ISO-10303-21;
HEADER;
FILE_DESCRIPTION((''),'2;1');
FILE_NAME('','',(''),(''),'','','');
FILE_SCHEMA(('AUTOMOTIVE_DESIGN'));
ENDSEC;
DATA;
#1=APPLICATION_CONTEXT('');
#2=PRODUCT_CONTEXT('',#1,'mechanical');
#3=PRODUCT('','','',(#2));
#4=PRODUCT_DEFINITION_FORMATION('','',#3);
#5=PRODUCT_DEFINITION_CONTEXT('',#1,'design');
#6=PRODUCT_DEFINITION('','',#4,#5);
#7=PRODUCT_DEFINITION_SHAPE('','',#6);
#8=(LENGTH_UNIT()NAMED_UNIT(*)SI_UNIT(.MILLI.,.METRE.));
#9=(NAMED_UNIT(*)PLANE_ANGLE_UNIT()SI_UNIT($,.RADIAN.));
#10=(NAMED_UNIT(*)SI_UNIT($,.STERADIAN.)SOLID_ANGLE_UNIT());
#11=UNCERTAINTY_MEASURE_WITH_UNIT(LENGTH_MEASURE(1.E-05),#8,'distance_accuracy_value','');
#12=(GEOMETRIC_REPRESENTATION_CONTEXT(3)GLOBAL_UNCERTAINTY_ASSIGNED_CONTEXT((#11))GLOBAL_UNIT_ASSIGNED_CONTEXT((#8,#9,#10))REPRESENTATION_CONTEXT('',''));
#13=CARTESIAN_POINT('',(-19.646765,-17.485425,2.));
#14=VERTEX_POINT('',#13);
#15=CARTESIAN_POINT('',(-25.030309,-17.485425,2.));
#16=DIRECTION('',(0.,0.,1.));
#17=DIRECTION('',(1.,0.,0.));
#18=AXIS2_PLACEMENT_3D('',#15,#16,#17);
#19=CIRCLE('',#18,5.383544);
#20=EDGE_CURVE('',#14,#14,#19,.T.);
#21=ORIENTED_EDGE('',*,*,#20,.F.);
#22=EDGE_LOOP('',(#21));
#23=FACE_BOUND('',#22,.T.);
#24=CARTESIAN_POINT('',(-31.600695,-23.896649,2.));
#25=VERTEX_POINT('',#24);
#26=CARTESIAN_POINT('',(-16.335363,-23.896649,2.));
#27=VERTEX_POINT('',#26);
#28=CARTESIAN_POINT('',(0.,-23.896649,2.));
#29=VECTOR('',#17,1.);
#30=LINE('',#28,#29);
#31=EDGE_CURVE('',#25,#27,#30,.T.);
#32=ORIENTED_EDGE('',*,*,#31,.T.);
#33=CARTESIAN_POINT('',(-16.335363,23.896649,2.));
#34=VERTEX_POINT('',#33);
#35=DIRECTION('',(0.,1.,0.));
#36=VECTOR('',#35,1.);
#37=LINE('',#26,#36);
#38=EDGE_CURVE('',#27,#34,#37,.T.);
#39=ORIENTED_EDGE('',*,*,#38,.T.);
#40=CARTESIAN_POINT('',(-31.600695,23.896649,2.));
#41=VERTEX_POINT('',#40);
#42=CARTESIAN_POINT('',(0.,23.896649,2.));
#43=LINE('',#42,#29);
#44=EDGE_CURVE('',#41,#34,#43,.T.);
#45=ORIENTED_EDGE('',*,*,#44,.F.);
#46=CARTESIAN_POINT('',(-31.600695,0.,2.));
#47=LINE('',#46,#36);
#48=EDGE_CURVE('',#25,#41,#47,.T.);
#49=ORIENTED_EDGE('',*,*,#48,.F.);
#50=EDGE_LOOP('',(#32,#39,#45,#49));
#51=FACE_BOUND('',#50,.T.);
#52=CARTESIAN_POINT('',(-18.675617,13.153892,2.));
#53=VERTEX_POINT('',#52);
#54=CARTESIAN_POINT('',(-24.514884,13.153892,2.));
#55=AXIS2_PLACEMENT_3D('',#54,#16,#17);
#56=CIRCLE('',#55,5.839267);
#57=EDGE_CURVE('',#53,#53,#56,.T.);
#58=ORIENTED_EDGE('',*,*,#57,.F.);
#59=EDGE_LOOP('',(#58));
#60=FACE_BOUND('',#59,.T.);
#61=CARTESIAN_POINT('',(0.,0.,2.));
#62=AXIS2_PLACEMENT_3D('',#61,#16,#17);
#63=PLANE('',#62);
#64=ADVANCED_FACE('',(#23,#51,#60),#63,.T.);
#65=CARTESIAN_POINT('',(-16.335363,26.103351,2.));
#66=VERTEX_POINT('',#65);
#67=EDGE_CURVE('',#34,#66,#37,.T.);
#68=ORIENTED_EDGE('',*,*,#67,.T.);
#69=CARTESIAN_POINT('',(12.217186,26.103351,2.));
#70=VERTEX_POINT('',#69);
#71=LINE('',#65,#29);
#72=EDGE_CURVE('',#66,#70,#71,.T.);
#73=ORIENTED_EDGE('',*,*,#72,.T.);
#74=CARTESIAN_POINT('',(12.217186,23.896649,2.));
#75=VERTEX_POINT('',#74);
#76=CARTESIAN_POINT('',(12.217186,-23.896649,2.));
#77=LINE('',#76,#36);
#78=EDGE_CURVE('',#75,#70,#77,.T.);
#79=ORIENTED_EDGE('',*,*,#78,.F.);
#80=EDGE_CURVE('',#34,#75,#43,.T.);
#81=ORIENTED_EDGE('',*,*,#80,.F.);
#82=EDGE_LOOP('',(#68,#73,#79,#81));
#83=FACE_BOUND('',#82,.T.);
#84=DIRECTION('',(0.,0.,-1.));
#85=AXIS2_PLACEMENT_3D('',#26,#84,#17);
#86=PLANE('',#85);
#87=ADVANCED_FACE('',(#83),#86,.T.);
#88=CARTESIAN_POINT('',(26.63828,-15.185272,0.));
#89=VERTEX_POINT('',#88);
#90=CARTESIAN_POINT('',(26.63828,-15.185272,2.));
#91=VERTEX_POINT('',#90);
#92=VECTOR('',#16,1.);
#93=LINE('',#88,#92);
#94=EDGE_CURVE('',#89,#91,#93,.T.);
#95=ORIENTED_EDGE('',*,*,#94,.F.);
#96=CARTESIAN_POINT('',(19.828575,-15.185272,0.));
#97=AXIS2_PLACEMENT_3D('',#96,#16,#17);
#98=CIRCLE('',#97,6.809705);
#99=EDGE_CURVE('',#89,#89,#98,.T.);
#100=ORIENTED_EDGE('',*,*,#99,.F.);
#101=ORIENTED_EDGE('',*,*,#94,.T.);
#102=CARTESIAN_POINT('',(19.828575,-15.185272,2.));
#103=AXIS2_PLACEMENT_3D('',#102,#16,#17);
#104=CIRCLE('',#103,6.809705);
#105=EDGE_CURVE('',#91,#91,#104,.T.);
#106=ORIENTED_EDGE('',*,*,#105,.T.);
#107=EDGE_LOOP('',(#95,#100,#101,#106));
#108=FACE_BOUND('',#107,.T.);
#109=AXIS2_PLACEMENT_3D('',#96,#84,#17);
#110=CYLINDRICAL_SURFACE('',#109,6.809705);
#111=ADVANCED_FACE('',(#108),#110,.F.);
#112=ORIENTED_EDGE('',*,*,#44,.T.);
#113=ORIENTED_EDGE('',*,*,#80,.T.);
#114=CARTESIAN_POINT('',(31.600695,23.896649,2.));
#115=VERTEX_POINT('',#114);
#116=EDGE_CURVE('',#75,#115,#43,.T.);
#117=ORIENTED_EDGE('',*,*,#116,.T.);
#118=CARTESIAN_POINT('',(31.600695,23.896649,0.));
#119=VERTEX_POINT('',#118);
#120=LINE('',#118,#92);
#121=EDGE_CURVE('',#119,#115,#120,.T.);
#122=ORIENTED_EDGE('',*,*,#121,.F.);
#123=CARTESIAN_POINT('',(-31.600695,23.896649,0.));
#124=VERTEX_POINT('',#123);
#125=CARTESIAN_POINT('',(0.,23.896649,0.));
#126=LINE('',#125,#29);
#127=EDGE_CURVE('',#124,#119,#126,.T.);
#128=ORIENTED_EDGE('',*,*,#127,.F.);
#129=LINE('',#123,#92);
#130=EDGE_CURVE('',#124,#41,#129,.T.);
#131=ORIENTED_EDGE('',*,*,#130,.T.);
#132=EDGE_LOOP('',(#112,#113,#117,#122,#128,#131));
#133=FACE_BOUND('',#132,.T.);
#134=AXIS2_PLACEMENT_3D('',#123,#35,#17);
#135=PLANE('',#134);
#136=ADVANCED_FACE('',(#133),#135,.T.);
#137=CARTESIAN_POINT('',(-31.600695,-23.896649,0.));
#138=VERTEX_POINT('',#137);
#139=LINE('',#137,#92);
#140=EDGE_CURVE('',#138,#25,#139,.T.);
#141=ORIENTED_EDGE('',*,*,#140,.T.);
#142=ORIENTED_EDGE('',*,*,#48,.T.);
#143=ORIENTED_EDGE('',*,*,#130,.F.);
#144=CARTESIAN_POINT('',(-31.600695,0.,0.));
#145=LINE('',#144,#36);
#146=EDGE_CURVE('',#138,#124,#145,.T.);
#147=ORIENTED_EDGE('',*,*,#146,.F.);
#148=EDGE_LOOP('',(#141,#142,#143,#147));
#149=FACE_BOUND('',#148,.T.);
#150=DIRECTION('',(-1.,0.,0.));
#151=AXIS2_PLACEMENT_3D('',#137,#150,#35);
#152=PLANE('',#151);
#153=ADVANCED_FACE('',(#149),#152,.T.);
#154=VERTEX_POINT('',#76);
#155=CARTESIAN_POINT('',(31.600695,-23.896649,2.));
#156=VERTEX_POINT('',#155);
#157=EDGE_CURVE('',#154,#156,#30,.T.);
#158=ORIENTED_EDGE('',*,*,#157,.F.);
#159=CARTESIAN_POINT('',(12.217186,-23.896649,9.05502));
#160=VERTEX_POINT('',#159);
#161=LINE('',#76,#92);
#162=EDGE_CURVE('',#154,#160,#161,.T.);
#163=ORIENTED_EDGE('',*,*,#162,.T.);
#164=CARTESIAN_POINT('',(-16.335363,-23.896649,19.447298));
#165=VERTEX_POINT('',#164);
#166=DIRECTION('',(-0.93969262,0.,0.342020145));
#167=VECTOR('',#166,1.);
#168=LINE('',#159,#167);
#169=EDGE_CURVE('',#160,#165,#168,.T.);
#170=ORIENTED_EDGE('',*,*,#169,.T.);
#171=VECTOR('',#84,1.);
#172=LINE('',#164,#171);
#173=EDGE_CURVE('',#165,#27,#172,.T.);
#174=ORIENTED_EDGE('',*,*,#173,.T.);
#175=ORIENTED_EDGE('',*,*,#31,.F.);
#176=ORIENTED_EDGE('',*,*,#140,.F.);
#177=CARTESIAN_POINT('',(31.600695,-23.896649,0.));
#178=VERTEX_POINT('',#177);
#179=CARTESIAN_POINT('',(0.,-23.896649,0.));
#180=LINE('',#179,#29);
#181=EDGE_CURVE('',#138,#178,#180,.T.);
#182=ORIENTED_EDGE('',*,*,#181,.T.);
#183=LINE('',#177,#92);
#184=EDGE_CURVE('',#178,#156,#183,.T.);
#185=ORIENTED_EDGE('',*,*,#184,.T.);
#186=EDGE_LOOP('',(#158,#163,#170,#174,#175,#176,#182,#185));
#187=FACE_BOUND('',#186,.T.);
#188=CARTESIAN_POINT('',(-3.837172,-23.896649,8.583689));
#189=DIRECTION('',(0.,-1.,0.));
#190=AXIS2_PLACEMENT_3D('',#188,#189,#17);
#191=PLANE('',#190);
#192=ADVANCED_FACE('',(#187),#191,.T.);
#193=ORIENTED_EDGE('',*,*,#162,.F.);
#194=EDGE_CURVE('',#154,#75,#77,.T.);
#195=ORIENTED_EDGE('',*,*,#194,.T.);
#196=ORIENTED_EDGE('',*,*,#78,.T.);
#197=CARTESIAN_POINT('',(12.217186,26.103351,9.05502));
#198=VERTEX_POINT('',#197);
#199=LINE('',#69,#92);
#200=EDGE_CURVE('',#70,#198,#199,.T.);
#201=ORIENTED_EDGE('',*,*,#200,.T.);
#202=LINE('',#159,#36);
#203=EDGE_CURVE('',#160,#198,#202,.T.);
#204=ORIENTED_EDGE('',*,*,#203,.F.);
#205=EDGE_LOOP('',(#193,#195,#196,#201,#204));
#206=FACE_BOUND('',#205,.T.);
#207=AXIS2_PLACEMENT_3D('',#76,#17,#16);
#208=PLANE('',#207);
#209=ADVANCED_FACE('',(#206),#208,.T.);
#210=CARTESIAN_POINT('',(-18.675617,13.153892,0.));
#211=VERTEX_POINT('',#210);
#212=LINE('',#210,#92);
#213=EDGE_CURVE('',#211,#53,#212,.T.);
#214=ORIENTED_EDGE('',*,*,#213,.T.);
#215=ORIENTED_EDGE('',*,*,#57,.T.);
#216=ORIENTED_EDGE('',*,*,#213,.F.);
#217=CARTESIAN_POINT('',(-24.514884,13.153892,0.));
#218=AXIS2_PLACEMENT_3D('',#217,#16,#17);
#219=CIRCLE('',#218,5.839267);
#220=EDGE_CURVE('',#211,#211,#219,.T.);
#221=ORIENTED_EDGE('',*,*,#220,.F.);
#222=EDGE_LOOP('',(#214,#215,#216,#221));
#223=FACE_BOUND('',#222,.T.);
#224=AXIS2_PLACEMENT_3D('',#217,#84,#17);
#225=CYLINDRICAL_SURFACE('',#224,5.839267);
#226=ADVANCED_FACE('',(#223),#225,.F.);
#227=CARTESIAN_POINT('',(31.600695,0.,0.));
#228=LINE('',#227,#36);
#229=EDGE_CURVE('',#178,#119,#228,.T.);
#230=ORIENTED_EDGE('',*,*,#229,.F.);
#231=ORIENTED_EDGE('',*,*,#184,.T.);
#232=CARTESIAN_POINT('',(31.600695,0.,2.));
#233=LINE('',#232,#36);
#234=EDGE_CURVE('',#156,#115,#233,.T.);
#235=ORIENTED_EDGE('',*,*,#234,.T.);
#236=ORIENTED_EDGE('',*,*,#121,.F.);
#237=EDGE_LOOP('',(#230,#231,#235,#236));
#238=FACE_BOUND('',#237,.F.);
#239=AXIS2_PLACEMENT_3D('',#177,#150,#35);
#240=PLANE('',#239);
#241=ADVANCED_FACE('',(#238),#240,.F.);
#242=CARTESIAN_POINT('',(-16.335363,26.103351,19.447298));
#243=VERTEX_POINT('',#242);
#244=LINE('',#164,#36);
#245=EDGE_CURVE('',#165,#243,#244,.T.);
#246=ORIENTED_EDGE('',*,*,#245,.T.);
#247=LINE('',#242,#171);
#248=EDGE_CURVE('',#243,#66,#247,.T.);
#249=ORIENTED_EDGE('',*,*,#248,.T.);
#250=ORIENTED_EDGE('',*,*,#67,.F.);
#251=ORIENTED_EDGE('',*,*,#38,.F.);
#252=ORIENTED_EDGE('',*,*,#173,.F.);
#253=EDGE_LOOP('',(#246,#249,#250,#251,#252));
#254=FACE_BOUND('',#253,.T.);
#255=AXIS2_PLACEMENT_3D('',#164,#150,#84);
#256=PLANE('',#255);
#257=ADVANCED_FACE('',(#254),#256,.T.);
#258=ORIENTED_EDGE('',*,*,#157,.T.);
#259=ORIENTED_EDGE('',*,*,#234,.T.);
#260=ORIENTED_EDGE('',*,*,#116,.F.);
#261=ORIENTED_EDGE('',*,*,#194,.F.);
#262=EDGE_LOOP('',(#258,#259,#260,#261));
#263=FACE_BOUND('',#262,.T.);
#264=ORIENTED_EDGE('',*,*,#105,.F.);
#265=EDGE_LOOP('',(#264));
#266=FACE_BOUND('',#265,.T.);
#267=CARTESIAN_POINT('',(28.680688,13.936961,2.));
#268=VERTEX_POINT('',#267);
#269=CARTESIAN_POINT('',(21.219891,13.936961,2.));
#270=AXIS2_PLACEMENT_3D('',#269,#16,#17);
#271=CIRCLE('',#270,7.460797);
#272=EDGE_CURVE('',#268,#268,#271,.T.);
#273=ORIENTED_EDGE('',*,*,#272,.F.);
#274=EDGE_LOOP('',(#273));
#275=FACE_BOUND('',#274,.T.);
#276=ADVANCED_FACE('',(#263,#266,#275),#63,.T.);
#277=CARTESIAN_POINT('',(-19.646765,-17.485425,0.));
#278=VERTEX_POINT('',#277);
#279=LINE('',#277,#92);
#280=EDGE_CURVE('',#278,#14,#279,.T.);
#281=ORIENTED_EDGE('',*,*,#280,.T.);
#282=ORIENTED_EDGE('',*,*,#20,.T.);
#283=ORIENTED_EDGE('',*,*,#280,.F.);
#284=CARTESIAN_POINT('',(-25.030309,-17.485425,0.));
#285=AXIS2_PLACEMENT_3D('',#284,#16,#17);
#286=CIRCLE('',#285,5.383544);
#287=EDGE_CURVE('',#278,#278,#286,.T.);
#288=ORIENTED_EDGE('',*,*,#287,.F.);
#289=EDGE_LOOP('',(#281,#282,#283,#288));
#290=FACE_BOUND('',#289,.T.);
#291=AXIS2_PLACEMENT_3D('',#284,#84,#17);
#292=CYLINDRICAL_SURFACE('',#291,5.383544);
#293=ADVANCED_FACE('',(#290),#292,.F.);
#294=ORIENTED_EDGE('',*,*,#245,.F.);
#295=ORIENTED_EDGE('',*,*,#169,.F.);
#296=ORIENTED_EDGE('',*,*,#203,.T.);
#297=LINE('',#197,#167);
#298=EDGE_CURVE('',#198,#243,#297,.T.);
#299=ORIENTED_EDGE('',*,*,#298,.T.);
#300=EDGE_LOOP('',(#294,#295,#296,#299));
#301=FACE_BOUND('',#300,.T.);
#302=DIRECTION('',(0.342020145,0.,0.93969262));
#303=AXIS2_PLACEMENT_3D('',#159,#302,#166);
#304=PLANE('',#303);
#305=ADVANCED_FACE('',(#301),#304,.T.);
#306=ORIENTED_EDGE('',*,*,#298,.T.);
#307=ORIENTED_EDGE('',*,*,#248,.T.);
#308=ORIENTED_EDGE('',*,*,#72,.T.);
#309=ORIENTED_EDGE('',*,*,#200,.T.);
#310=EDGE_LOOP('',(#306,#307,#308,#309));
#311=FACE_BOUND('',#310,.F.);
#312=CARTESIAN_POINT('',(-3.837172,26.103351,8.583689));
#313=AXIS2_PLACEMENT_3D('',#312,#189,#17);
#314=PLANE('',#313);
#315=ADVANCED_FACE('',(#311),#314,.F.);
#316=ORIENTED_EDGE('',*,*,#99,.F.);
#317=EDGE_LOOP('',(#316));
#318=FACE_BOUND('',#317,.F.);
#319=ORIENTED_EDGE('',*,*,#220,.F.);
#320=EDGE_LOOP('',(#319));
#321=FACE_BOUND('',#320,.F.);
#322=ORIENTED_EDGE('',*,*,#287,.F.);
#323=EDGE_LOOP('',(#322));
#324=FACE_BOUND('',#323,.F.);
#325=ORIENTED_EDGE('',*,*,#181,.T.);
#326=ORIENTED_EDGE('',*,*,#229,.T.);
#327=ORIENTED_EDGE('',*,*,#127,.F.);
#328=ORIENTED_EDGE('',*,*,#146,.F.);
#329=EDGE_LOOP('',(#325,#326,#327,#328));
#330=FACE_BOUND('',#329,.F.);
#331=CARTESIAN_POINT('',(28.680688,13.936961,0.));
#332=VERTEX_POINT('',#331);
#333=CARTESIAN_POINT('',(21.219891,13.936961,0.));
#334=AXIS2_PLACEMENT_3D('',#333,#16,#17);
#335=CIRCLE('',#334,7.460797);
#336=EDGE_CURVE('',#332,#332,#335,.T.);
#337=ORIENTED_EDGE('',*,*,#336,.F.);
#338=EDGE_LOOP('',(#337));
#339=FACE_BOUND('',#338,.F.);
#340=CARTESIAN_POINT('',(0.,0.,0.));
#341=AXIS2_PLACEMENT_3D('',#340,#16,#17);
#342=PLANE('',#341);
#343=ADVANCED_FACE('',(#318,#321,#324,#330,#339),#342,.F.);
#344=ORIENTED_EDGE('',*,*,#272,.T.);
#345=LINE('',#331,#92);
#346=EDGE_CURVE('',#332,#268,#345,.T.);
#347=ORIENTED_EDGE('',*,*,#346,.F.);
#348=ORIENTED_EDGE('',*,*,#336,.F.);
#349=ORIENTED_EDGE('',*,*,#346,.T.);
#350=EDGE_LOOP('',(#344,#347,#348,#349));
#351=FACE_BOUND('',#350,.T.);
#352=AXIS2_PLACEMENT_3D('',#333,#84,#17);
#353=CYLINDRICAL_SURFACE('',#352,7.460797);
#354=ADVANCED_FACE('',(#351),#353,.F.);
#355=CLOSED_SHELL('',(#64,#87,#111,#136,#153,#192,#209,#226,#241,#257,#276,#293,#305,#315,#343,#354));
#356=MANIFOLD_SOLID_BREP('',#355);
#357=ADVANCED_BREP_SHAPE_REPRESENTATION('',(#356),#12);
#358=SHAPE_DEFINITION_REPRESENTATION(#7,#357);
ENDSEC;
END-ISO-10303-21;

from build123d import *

# Parameters (mm, degrees)
F0_W     = 63.20139
F0_H     = 47.793298
F0_R     = 5.383544
F0_R_2   = 6.809705
F0_R_3   = 5.839267
F0_R_4   = 7.460797
F1_DEPTH = 2
F3_DEPTH = 50


with BuildPart() as f1:
    # F0 (on Top) → F1 (new body)
    with BuildSketch(Plane.XY):
        Rectangle(F0_W, F0_H)
        with Locations((-25.030309, -17.485425)):
            Circle(F0_R, mode=Mode.SUBTRACT)
        with Locations((19.828575, -15.185272)):
            Circle(F0_R_2, mode=Mode.SUBTRACT)
        with Locations((-24.514884, 13.153892)):
            Circle(F0_R_3, mode=Mode.SUBTRACT)
        with Locations((21.219891, 13.936961)):
            Circle(F0_R_4, mode=Mode.SUBTRACT)
    extrude(amount=F1_DEPTH)

    # F2 (on face) → F3 (join)
    with BuildSketch(Plane.XZ.offset(23.896649)):
        Polygon((12.217186, 2), (12.217186, 9.05502), (-16.335363, 19.447298), (-16.335363, 2), align=None)
    extrude(amount=-F3_DEPTH)


solid = f1.part
